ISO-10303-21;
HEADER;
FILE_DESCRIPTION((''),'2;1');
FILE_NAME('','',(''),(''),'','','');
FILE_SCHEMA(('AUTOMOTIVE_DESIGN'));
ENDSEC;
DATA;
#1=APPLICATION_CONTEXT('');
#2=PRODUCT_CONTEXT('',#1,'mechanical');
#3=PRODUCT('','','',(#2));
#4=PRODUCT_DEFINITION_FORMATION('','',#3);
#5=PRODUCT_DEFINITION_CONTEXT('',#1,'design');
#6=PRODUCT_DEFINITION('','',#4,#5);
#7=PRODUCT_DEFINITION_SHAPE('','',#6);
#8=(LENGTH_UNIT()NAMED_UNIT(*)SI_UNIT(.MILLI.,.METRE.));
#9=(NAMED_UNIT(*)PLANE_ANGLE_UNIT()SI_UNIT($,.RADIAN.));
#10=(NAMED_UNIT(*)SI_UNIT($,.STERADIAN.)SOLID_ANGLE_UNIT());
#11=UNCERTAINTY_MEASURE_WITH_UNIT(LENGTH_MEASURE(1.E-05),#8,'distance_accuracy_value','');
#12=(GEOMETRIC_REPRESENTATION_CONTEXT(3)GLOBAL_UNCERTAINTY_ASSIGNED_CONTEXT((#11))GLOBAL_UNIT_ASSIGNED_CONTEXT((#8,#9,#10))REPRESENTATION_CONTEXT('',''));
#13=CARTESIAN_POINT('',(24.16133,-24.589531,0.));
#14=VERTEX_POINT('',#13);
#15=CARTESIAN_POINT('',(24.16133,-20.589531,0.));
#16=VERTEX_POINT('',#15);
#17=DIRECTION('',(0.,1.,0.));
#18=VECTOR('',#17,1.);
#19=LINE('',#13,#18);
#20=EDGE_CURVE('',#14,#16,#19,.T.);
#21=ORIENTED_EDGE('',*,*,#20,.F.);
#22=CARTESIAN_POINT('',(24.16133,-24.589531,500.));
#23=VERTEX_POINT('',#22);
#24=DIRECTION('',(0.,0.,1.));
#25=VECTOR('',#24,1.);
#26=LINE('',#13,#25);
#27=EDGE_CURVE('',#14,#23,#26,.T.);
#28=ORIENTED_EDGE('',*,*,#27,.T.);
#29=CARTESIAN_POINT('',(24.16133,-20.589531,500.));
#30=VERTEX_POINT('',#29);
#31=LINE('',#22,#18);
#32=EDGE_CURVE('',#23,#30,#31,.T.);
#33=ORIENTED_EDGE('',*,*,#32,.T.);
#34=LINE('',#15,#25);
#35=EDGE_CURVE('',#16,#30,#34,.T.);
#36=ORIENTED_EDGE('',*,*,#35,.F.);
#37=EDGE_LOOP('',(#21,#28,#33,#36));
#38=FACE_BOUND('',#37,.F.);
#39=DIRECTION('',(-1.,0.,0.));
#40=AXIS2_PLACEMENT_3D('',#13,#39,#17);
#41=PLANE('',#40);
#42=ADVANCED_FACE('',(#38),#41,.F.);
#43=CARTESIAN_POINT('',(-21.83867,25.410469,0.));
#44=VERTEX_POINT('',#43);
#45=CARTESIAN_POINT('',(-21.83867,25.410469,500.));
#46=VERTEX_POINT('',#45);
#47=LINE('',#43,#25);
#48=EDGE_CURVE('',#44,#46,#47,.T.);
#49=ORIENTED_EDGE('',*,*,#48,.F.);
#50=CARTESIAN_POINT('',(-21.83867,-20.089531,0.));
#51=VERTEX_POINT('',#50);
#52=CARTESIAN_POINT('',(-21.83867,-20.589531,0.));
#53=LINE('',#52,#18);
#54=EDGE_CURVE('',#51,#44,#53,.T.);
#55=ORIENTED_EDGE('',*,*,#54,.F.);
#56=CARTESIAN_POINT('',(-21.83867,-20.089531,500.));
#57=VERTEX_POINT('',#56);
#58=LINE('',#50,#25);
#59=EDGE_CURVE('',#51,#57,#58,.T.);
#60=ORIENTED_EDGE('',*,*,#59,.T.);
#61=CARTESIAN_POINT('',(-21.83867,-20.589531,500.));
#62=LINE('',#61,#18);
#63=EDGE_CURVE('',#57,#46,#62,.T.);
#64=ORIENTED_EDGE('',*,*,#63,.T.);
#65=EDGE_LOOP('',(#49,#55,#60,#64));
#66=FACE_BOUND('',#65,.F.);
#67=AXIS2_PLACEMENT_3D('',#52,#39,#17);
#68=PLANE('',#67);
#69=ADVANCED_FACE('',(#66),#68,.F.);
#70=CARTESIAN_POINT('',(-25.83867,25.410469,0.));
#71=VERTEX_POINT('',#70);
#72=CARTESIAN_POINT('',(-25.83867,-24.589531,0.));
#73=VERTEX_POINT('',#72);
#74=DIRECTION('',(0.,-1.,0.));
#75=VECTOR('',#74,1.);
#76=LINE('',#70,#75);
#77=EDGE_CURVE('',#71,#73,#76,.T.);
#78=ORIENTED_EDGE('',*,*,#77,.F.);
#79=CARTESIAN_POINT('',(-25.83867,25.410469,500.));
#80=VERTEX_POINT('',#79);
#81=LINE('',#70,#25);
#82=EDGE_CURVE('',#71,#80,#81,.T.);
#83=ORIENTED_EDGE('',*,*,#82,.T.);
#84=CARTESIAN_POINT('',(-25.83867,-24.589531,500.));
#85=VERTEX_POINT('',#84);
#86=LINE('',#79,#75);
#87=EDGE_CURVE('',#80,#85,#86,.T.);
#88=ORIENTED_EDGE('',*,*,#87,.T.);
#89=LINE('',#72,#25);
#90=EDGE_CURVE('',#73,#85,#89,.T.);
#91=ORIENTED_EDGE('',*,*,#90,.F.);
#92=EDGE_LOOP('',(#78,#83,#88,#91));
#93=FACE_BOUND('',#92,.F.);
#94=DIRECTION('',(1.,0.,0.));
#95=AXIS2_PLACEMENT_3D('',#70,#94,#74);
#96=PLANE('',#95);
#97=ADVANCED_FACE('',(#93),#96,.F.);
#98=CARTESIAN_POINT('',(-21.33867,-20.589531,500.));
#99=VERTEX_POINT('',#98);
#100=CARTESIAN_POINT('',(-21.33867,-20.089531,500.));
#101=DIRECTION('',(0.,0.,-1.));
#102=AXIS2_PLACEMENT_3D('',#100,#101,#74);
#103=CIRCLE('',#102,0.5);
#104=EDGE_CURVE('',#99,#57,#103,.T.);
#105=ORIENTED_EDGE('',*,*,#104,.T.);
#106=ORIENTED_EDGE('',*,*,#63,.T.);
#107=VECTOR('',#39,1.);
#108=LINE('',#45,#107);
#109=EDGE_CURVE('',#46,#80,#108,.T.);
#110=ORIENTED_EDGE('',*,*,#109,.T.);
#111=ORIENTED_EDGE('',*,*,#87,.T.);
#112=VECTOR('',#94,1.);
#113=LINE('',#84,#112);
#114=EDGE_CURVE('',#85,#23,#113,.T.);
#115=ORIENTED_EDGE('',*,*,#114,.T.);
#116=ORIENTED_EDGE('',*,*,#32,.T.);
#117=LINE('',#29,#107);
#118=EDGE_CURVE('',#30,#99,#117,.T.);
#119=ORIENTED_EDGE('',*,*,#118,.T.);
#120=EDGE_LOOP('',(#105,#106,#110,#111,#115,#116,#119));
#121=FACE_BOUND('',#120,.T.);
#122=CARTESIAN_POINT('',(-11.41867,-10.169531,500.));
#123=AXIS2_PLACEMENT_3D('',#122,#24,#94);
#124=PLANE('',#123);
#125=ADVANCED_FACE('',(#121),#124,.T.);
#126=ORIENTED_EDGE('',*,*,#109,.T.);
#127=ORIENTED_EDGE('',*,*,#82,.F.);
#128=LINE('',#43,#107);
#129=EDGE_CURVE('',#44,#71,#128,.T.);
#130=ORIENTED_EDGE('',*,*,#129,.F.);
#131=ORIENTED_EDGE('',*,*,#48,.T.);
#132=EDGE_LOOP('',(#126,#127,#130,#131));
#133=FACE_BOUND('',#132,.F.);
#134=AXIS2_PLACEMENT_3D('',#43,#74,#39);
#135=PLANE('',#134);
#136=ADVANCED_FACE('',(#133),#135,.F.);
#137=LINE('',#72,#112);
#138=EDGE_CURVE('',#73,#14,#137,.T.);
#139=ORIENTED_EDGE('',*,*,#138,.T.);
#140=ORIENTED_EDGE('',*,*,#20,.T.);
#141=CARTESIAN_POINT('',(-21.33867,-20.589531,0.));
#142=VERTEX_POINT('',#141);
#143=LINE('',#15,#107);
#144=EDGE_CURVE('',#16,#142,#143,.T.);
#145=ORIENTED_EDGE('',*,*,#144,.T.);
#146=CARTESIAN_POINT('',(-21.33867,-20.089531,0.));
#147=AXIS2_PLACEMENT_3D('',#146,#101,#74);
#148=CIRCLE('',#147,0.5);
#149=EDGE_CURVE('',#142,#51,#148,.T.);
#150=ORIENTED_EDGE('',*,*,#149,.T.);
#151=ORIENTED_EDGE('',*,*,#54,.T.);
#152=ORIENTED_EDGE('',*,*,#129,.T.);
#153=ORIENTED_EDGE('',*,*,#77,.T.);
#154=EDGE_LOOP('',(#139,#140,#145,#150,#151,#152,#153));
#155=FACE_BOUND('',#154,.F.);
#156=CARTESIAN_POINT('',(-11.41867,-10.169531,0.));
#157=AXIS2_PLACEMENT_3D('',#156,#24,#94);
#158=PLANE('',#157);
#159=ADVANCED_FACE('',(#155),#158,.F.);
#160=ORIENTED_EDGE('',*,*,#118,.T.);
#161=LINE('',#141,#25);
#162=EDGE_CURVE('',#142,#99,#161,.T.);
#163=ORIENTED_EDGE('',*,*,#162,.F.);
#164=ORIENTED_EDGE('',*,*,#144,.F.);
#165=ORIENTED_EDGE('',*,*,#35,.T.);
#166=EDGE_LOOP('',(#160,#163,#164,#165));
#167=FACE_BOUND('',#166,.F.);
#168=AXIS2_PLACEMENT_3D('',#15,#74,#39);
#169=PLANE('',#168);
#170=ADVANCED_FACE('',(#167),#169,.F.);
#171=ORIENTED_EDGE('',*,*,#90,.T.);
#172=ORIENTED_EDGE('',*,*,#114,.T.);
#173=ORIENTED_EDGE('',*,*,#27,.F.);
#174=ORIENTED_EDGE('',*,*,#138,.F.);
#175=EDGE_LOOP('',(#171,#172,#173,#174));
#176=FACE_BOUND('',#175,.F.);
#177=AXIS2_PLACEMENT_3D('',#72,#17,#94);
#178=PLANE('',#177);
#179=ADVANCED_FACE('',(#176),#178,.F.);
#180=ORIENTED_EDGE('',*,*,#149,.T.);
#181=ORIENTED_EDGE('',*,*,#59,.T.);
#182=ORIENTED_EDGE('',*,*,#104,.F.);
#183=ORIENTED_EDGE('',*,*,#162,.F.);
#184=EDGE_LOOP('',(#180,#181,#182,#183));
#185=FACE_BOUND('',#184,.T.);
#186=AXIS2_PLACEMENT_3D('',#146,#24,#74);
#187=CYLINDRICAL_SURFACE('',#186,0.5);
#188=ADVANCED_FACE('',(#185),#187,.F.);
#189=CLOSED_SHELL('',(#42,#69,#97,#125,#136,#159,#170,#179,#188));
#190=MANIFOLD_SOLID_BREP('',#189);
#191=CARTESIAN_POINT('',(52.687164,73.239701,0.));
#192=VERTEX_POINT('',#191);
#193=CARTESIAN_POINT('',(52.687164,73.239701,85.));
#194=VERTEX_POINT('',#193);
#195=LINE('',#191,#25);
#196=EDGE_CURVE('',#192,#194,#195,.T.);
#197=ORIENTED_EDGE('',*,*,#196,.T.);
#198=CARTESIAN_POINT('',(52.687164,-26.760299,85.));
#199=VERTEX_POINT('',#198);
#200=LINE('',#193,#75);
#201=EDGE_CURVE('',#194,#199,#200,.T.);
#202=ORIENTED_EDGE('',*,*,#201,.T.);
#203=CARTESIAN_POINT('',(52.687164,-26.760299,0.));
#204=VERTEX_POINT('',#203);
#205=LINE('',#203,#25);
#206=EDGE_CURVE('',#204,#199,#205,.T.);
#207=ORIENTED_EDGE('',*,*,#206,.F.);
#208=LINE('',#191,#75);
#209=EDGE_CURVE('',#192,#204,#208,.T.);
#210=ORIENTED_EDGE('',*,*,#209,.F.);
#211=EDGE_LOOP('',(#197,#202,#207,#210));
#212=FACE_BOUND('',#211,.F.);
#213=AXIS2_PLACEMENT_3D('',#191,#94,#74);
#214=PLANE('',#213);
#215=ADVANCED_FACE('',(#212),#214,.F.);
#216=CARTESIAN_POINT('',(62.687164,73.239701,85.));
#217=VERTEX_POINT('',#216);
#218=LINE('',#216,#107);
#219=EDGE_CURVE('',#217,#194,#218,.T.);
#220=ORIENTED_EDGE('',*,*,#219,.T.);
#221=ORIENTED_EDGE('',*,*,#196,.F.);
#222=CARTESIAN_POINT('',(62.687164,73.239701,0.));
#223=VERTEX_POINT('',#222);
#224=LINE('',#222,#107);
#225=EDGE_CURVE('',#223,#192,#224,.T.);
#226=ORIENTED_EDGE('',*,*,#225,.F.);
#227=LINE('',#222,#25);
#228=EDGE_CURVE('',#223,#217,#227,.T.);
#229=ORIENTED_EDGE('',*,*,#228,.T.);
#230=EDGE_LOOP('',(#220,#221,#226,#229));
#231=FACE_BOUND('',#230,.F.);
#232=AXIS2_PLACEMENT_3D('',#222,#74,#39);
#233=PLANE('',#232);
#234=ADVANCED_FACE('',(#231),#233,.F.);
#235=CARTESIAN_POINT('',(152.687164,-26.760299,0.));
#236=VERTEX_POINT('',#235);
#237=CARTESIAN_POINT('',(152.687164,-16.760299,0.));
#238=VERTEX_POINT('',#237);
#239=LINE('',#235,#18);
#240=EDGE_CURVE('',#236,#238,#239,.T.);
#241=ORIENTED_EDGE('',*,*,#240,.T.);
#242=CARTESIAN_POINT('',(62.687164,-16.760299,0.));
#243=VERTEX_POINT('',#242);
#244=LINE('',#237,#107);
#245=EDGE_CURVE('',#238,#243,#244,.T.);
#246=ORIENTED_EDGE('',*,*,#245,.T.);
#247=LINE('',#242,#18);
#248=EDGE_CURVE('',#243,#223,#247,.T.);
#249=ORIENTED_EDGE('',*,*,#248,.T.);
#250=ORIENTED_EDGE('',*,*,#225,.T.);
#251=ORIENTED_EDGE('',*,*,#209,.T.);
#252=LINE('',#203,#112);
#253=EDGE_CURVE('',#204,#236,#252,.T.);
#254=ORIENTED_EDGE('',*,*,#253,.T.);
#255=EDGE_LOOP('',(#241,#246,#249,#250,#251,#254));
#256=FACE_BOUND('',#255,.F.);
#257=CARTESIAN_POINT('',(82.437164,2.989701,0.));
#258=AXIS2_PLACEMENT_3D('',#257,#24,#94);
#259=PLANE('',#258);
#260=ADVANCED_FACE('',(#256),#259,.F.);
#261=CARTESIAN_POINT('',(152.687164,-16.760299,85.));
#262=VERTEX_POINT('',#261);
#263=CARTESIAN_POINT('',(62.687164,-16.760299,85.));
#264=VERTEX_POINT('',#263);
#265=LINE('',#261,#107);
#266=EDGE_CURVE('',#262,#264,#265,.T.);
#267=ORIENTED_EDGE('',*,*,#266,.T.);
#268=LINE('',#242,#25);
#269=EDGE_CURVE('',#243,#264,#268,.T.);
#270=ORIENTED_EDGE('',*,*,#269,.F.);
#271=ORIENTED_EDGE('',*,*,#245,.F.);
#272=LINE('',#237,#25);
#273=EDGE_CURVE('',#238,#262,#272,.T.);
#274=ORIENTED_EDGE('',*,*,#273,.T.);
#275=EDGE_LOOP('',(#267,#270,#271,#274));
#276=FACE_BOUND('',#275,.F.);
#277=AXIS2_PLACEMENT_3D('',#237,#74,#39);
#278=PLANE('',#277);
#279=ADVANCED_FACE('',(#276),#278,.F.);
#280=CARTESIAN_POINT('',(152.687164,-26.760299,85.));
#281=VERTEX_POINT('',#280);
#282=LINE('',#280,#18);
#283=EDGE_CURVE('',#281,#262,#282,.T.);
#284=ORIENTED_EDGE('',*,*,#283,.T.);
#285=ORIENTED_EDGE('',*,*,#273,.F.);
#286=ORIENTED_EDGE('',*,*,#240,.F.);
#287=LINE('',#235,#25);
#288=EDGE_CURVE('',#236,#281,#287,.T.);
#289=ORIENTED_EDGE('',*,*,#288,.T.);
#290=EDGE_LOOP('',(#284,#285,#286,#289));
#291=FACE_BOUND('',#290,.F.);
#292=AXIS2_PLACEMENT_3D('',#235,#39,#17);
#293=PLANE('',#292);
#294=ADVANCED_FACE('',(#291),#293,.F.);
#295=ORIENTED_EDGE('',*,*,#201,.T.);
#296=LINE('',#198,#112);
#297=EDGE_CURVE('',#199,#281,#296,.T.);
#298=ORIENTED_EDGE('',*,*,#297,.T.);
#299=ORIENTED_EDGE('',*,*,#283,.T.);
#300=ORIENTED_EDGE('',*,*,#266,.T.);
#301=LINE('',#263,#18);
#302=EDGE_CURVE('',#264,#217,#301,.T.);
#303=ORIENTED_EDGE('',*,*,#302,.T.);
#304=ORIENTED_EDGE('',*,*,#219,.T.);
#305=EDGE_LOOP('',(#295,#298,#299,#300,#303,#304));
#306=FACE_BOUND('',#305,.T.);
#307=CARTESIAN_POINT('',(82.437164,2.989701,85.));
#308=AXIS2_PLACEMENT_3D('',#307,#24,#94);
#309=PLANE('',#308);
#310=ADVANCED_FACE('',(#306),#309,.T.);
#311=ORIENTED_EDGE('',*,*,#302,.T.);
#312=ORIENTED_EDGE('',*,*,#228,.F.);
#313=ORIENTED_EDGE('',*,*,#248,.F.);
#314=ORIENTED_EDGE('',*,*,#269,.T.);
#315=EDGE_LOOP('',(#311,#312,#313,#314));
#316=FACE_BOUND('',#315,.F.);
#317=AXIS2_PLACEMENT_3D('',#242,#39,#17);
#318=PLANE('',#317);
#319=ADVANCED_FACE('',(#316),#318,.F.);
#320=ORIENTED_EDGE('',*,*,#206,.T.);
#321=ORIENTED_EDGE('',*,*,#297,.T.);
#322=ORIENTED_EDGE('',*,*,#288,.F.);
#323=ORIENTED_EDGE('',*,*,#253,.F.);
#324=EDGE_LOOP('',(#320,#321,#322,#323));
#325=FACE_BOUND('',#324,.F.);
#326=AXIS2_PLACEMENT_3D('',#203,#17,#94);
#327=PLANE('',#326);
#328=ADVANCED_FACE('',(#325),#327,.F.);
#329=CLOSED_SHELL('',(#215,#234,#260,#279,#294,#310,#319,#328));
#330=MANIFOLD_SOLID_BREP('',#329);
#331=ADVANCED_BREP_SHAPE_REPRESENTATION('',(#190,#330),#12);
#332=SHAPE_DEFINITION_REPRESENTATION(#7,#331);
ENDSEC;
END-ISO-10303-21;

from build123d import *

# Parameters (mm, degrees)
F2_DEPTH = 500
F3_R     = 0.5
F4_DEPTH = 85


with BuildPart() as f2:
    # F0 (on Top) → F2 (new body)
    with BuildSketch(Plane.XY):
        Polygon((-21.83867, 25.410469), (-25.83867, 25.410469), (-25.83867, -24.589531), (24.16133, -24.589531), (24.16133, -20.589531), (-21.83867, -20.589531), align=None)
    extrude(amount=F2_DEPTH)

    # F3
    f3_edges = [f2.edges().sort_by_distance(p)[0] for p in [
        (-21.83867, -20.589531, 250),
    ]]
    fillet(f3_edges, radius=F3_R)


with BuildPart() as f4:
    # F1 (on Top) → F4 (new body)
    with BuildSketch(Plane.XY):
        Polygon((62.687164, 73.239701), (52.687164, 73.239701), (52.687164, -26.760299), (152.687164, -26.760299), (152.687164, -16.760299), (62.687164, -16.760299), align=None)
    extrude(amount=F4_DEPTH)


solid = Compound([f2.part, f4.part])
